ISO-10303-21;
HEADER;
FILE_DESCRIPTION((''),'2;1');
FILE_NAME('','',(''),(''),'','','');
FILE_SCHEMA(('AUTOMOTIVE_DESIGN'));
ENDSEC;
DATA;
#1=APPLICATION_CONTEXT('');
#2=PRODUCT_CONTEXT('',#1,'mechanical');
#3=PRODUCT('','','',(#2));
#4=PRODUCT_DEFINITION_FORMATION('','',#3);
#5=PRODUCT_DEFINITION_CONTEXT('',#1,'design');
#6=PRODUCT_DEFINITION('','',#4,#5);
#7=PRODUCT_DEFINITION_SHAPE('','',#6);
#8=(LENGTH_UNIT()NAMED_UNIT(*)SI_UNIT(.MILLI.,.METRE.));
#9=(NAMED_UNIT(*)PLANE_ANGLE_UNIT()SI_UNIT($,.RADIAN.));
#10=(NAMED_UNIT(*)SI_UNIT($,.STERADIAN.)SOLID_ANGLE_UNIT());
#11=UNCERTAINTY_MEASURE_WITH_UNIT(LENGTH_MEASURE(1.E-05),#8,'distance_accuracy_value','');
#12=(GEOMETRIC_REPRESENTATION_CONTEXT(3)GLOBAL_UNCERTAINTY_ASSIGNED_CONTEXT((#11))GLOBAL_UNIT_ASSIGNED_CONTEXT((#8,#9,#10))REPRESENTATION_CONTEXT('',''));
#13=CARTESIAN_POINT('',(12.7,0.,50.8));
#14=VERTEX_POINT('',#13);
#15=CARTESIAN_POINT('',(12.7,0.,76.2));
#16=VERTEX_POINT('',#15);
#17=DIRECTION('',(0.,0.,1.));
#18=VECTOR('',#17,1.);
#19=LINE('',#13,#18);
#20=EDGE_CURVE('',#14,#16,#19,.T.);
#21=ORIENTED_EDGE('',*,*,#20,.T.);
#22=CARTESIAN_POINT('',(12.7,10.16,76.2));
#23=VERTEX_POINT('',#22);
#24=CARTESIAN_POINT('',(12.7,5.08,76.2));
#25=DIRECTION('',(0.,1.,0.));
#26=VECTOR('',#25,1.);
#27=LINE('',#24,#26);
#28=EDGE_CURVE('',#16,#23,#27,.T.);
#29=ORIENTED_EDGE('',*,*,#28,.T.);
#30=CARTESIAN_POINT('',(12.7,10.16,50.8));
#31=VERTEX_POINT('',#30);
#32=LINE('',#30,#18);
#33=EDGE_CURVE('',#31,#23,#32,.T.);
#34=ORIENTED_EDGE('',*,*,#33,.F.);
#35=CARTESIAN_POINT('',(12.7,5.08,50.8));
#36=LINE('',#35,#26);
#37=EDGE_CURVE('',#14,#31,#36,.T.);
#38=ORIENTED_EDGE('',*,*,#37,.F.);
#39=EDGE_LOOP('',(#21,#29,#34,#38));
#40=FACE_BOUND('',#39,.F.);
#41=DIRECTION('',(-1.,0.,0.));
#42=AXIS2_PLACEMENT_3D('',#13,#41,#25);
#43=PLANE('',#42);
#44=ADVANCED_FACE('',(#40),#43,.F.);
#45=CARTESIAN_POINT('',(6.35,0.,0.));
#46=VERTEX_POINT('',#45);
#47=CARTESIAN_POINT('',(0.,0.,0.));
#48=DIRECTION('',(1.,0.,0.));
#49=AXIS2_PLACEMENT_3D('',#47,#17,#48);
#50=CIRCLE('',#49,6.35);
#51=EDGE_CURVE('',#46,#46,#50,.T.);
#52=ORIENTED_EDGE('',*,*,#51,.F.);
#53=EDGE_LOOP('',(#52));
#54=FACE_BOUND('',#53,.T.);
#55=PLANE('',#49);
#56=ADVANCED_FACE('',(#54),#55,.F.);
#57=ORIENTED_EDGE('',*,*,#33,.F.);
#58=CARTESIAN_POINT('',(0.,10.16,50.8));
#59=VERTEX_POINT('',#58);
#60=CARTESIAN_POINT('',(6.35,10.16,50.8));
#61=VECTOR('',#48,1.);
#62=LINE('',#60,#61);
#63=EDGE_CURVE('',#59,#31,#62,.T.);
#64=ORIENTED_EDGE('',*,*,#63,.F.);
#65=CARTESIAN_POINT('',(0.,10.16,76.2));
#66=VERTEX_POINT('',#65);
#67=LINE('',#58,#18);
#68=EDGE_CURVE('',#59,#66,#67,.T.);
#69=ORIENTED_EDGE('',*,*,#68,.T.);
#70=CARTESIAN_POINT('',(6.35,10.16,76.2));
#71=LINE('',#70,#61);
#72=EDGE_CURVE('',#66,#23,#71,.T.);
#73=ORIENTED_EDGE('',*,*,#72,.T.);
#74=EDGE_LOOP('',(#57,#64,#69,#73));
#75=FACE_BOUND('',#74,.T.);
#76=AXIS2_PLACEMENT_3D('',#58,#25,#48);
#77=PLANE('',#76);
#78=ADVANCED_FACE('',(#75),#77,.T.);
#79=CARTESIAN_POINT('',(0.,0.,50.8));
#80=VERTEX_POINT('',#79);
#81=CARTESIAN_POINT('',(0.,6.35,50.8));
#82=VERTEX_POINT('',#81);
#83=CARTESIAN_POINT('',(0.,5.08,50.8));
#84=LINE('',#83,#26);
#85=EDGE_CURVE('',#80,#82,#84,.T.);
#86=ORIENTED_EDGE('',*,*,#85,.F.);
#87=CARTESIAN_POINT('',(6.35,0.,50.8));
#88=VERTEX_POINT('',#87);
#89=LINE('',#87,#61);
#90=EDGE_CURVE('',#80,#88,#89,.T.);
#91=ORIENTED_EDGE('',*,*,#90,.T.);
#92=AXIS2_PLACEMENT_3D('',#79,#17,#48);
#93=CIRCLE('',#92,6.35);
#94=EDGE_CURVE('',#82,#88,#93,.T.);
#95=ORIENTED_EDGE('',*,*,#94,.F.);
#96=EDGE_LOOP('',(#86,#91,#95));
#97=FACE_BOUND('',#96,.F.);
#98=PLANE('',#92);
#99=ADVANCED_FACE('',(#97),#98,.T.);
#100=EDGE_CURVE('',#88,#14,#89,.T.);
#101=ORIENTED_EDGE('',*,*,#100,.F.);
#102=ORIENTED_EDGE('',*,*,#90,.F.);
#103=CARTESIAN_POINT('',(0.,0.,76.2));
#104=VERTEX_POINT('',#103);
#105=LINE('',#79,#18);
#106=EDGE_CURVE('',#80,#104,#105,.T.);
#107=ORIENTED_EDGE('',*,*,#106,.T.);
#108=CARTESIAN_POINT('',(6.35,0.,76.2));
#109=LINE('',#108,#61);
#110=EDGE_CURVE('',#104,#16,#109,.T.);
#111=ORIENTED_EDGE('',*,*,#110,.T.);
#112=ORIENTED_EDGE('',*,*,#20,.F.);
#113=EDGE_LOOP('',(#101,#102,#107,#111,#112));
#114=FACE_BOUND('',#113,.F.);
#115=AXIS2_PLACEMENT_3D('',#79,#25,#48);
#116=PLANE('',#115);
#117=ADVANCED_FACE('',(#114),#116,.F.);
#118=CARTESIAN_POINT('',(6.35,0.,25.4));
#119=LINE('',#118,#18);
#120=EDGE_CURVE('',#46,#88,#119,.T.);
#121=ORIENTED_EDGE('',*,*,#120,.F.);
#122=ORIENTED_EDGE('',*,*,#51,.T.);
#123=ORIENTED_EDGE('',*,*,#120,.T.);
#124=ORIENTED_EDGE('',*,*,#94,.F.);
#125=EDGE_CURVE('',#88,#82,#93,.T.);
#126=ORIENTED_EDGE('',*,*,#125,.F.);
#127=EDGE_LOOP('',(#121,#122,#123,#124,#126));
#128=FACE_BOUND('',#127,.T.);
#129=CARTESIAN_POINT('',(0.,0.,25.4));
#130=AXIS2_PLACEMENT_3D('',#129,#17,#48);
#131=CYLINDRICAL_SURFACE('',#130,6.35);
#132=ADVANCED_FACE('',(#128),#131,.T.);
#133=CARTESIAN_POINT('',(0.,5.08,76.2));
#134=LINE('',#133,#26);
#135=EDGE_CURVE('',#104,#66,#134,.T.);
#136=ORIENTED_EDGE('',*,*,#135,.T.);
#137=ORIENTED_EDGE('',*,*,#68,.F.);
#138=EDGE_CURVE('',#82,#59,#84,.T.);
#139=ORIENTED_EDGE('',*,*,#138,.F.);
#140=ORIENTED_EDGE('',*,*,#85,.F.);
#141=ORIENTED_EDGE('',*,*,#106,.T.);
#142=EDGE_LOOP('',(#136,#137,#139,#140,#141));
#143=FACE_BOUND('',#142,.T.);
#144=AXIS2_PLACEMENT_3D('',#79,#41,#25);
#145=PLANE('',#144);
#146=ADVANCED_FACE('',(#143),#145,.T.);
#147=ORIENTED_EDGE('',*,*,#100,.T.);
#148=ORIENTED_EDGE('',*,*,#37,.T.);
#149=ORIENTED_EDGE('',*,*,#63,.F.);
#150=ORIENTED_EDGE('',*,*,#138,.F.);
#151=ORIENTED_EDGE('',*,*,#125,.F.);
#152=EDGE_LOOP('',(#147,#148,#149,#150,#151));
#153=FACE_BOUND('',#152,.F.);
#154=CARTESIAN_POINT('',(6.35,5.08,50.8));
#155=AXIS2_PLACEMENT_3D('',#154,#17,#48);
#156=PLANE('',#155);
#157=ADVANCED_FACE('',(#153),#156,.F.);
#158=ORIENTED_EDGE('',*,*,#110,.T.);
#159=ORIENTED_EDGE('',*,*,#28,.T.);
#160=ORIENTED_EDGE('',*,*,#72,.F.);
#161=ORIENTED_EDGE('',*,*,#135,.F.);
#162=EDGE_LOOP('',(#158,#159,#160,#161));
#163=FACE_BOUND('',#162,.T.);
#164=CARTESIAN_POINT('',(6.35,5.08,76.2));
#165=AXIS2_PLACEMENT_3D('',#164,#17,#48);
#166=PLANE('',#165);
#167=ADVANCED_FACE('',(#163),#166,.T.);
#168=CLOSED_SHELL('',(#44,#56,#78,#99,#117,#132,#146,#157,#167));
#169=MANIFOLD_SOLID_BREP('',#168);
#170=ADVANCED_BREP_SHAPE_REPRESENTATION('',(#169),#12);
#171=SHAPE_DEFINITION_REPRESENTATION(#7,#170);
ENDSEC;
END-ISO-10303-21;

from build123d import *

# Parameters (mm, degrees)
F0_W     = 6.35
F0_H     = 50.8
F2_W     = 12.7
F2_H     = 10.16
F3_DEPTH = 25.4


with BuildPart() as f1:
    # F0 (on Front) → F1 (revolve)
    with BuildSketch(Plane.XZ):
        with Locations((3.175, 25.4)):
            Rectangle(F0_W, F0_H)
    revolve(axis=Axis((0, 0, 25.4), (0, 0, 1)))

    # F2 (on face) → F3 (join)
    with BuildSketch(Plane.XY.offset(50.8)):
        with Locations((6.35, 5.08)):
            Rectangle(F2_W, F2_H)
    extrude(amount=F3_DEPTH)


solid = f1.part
